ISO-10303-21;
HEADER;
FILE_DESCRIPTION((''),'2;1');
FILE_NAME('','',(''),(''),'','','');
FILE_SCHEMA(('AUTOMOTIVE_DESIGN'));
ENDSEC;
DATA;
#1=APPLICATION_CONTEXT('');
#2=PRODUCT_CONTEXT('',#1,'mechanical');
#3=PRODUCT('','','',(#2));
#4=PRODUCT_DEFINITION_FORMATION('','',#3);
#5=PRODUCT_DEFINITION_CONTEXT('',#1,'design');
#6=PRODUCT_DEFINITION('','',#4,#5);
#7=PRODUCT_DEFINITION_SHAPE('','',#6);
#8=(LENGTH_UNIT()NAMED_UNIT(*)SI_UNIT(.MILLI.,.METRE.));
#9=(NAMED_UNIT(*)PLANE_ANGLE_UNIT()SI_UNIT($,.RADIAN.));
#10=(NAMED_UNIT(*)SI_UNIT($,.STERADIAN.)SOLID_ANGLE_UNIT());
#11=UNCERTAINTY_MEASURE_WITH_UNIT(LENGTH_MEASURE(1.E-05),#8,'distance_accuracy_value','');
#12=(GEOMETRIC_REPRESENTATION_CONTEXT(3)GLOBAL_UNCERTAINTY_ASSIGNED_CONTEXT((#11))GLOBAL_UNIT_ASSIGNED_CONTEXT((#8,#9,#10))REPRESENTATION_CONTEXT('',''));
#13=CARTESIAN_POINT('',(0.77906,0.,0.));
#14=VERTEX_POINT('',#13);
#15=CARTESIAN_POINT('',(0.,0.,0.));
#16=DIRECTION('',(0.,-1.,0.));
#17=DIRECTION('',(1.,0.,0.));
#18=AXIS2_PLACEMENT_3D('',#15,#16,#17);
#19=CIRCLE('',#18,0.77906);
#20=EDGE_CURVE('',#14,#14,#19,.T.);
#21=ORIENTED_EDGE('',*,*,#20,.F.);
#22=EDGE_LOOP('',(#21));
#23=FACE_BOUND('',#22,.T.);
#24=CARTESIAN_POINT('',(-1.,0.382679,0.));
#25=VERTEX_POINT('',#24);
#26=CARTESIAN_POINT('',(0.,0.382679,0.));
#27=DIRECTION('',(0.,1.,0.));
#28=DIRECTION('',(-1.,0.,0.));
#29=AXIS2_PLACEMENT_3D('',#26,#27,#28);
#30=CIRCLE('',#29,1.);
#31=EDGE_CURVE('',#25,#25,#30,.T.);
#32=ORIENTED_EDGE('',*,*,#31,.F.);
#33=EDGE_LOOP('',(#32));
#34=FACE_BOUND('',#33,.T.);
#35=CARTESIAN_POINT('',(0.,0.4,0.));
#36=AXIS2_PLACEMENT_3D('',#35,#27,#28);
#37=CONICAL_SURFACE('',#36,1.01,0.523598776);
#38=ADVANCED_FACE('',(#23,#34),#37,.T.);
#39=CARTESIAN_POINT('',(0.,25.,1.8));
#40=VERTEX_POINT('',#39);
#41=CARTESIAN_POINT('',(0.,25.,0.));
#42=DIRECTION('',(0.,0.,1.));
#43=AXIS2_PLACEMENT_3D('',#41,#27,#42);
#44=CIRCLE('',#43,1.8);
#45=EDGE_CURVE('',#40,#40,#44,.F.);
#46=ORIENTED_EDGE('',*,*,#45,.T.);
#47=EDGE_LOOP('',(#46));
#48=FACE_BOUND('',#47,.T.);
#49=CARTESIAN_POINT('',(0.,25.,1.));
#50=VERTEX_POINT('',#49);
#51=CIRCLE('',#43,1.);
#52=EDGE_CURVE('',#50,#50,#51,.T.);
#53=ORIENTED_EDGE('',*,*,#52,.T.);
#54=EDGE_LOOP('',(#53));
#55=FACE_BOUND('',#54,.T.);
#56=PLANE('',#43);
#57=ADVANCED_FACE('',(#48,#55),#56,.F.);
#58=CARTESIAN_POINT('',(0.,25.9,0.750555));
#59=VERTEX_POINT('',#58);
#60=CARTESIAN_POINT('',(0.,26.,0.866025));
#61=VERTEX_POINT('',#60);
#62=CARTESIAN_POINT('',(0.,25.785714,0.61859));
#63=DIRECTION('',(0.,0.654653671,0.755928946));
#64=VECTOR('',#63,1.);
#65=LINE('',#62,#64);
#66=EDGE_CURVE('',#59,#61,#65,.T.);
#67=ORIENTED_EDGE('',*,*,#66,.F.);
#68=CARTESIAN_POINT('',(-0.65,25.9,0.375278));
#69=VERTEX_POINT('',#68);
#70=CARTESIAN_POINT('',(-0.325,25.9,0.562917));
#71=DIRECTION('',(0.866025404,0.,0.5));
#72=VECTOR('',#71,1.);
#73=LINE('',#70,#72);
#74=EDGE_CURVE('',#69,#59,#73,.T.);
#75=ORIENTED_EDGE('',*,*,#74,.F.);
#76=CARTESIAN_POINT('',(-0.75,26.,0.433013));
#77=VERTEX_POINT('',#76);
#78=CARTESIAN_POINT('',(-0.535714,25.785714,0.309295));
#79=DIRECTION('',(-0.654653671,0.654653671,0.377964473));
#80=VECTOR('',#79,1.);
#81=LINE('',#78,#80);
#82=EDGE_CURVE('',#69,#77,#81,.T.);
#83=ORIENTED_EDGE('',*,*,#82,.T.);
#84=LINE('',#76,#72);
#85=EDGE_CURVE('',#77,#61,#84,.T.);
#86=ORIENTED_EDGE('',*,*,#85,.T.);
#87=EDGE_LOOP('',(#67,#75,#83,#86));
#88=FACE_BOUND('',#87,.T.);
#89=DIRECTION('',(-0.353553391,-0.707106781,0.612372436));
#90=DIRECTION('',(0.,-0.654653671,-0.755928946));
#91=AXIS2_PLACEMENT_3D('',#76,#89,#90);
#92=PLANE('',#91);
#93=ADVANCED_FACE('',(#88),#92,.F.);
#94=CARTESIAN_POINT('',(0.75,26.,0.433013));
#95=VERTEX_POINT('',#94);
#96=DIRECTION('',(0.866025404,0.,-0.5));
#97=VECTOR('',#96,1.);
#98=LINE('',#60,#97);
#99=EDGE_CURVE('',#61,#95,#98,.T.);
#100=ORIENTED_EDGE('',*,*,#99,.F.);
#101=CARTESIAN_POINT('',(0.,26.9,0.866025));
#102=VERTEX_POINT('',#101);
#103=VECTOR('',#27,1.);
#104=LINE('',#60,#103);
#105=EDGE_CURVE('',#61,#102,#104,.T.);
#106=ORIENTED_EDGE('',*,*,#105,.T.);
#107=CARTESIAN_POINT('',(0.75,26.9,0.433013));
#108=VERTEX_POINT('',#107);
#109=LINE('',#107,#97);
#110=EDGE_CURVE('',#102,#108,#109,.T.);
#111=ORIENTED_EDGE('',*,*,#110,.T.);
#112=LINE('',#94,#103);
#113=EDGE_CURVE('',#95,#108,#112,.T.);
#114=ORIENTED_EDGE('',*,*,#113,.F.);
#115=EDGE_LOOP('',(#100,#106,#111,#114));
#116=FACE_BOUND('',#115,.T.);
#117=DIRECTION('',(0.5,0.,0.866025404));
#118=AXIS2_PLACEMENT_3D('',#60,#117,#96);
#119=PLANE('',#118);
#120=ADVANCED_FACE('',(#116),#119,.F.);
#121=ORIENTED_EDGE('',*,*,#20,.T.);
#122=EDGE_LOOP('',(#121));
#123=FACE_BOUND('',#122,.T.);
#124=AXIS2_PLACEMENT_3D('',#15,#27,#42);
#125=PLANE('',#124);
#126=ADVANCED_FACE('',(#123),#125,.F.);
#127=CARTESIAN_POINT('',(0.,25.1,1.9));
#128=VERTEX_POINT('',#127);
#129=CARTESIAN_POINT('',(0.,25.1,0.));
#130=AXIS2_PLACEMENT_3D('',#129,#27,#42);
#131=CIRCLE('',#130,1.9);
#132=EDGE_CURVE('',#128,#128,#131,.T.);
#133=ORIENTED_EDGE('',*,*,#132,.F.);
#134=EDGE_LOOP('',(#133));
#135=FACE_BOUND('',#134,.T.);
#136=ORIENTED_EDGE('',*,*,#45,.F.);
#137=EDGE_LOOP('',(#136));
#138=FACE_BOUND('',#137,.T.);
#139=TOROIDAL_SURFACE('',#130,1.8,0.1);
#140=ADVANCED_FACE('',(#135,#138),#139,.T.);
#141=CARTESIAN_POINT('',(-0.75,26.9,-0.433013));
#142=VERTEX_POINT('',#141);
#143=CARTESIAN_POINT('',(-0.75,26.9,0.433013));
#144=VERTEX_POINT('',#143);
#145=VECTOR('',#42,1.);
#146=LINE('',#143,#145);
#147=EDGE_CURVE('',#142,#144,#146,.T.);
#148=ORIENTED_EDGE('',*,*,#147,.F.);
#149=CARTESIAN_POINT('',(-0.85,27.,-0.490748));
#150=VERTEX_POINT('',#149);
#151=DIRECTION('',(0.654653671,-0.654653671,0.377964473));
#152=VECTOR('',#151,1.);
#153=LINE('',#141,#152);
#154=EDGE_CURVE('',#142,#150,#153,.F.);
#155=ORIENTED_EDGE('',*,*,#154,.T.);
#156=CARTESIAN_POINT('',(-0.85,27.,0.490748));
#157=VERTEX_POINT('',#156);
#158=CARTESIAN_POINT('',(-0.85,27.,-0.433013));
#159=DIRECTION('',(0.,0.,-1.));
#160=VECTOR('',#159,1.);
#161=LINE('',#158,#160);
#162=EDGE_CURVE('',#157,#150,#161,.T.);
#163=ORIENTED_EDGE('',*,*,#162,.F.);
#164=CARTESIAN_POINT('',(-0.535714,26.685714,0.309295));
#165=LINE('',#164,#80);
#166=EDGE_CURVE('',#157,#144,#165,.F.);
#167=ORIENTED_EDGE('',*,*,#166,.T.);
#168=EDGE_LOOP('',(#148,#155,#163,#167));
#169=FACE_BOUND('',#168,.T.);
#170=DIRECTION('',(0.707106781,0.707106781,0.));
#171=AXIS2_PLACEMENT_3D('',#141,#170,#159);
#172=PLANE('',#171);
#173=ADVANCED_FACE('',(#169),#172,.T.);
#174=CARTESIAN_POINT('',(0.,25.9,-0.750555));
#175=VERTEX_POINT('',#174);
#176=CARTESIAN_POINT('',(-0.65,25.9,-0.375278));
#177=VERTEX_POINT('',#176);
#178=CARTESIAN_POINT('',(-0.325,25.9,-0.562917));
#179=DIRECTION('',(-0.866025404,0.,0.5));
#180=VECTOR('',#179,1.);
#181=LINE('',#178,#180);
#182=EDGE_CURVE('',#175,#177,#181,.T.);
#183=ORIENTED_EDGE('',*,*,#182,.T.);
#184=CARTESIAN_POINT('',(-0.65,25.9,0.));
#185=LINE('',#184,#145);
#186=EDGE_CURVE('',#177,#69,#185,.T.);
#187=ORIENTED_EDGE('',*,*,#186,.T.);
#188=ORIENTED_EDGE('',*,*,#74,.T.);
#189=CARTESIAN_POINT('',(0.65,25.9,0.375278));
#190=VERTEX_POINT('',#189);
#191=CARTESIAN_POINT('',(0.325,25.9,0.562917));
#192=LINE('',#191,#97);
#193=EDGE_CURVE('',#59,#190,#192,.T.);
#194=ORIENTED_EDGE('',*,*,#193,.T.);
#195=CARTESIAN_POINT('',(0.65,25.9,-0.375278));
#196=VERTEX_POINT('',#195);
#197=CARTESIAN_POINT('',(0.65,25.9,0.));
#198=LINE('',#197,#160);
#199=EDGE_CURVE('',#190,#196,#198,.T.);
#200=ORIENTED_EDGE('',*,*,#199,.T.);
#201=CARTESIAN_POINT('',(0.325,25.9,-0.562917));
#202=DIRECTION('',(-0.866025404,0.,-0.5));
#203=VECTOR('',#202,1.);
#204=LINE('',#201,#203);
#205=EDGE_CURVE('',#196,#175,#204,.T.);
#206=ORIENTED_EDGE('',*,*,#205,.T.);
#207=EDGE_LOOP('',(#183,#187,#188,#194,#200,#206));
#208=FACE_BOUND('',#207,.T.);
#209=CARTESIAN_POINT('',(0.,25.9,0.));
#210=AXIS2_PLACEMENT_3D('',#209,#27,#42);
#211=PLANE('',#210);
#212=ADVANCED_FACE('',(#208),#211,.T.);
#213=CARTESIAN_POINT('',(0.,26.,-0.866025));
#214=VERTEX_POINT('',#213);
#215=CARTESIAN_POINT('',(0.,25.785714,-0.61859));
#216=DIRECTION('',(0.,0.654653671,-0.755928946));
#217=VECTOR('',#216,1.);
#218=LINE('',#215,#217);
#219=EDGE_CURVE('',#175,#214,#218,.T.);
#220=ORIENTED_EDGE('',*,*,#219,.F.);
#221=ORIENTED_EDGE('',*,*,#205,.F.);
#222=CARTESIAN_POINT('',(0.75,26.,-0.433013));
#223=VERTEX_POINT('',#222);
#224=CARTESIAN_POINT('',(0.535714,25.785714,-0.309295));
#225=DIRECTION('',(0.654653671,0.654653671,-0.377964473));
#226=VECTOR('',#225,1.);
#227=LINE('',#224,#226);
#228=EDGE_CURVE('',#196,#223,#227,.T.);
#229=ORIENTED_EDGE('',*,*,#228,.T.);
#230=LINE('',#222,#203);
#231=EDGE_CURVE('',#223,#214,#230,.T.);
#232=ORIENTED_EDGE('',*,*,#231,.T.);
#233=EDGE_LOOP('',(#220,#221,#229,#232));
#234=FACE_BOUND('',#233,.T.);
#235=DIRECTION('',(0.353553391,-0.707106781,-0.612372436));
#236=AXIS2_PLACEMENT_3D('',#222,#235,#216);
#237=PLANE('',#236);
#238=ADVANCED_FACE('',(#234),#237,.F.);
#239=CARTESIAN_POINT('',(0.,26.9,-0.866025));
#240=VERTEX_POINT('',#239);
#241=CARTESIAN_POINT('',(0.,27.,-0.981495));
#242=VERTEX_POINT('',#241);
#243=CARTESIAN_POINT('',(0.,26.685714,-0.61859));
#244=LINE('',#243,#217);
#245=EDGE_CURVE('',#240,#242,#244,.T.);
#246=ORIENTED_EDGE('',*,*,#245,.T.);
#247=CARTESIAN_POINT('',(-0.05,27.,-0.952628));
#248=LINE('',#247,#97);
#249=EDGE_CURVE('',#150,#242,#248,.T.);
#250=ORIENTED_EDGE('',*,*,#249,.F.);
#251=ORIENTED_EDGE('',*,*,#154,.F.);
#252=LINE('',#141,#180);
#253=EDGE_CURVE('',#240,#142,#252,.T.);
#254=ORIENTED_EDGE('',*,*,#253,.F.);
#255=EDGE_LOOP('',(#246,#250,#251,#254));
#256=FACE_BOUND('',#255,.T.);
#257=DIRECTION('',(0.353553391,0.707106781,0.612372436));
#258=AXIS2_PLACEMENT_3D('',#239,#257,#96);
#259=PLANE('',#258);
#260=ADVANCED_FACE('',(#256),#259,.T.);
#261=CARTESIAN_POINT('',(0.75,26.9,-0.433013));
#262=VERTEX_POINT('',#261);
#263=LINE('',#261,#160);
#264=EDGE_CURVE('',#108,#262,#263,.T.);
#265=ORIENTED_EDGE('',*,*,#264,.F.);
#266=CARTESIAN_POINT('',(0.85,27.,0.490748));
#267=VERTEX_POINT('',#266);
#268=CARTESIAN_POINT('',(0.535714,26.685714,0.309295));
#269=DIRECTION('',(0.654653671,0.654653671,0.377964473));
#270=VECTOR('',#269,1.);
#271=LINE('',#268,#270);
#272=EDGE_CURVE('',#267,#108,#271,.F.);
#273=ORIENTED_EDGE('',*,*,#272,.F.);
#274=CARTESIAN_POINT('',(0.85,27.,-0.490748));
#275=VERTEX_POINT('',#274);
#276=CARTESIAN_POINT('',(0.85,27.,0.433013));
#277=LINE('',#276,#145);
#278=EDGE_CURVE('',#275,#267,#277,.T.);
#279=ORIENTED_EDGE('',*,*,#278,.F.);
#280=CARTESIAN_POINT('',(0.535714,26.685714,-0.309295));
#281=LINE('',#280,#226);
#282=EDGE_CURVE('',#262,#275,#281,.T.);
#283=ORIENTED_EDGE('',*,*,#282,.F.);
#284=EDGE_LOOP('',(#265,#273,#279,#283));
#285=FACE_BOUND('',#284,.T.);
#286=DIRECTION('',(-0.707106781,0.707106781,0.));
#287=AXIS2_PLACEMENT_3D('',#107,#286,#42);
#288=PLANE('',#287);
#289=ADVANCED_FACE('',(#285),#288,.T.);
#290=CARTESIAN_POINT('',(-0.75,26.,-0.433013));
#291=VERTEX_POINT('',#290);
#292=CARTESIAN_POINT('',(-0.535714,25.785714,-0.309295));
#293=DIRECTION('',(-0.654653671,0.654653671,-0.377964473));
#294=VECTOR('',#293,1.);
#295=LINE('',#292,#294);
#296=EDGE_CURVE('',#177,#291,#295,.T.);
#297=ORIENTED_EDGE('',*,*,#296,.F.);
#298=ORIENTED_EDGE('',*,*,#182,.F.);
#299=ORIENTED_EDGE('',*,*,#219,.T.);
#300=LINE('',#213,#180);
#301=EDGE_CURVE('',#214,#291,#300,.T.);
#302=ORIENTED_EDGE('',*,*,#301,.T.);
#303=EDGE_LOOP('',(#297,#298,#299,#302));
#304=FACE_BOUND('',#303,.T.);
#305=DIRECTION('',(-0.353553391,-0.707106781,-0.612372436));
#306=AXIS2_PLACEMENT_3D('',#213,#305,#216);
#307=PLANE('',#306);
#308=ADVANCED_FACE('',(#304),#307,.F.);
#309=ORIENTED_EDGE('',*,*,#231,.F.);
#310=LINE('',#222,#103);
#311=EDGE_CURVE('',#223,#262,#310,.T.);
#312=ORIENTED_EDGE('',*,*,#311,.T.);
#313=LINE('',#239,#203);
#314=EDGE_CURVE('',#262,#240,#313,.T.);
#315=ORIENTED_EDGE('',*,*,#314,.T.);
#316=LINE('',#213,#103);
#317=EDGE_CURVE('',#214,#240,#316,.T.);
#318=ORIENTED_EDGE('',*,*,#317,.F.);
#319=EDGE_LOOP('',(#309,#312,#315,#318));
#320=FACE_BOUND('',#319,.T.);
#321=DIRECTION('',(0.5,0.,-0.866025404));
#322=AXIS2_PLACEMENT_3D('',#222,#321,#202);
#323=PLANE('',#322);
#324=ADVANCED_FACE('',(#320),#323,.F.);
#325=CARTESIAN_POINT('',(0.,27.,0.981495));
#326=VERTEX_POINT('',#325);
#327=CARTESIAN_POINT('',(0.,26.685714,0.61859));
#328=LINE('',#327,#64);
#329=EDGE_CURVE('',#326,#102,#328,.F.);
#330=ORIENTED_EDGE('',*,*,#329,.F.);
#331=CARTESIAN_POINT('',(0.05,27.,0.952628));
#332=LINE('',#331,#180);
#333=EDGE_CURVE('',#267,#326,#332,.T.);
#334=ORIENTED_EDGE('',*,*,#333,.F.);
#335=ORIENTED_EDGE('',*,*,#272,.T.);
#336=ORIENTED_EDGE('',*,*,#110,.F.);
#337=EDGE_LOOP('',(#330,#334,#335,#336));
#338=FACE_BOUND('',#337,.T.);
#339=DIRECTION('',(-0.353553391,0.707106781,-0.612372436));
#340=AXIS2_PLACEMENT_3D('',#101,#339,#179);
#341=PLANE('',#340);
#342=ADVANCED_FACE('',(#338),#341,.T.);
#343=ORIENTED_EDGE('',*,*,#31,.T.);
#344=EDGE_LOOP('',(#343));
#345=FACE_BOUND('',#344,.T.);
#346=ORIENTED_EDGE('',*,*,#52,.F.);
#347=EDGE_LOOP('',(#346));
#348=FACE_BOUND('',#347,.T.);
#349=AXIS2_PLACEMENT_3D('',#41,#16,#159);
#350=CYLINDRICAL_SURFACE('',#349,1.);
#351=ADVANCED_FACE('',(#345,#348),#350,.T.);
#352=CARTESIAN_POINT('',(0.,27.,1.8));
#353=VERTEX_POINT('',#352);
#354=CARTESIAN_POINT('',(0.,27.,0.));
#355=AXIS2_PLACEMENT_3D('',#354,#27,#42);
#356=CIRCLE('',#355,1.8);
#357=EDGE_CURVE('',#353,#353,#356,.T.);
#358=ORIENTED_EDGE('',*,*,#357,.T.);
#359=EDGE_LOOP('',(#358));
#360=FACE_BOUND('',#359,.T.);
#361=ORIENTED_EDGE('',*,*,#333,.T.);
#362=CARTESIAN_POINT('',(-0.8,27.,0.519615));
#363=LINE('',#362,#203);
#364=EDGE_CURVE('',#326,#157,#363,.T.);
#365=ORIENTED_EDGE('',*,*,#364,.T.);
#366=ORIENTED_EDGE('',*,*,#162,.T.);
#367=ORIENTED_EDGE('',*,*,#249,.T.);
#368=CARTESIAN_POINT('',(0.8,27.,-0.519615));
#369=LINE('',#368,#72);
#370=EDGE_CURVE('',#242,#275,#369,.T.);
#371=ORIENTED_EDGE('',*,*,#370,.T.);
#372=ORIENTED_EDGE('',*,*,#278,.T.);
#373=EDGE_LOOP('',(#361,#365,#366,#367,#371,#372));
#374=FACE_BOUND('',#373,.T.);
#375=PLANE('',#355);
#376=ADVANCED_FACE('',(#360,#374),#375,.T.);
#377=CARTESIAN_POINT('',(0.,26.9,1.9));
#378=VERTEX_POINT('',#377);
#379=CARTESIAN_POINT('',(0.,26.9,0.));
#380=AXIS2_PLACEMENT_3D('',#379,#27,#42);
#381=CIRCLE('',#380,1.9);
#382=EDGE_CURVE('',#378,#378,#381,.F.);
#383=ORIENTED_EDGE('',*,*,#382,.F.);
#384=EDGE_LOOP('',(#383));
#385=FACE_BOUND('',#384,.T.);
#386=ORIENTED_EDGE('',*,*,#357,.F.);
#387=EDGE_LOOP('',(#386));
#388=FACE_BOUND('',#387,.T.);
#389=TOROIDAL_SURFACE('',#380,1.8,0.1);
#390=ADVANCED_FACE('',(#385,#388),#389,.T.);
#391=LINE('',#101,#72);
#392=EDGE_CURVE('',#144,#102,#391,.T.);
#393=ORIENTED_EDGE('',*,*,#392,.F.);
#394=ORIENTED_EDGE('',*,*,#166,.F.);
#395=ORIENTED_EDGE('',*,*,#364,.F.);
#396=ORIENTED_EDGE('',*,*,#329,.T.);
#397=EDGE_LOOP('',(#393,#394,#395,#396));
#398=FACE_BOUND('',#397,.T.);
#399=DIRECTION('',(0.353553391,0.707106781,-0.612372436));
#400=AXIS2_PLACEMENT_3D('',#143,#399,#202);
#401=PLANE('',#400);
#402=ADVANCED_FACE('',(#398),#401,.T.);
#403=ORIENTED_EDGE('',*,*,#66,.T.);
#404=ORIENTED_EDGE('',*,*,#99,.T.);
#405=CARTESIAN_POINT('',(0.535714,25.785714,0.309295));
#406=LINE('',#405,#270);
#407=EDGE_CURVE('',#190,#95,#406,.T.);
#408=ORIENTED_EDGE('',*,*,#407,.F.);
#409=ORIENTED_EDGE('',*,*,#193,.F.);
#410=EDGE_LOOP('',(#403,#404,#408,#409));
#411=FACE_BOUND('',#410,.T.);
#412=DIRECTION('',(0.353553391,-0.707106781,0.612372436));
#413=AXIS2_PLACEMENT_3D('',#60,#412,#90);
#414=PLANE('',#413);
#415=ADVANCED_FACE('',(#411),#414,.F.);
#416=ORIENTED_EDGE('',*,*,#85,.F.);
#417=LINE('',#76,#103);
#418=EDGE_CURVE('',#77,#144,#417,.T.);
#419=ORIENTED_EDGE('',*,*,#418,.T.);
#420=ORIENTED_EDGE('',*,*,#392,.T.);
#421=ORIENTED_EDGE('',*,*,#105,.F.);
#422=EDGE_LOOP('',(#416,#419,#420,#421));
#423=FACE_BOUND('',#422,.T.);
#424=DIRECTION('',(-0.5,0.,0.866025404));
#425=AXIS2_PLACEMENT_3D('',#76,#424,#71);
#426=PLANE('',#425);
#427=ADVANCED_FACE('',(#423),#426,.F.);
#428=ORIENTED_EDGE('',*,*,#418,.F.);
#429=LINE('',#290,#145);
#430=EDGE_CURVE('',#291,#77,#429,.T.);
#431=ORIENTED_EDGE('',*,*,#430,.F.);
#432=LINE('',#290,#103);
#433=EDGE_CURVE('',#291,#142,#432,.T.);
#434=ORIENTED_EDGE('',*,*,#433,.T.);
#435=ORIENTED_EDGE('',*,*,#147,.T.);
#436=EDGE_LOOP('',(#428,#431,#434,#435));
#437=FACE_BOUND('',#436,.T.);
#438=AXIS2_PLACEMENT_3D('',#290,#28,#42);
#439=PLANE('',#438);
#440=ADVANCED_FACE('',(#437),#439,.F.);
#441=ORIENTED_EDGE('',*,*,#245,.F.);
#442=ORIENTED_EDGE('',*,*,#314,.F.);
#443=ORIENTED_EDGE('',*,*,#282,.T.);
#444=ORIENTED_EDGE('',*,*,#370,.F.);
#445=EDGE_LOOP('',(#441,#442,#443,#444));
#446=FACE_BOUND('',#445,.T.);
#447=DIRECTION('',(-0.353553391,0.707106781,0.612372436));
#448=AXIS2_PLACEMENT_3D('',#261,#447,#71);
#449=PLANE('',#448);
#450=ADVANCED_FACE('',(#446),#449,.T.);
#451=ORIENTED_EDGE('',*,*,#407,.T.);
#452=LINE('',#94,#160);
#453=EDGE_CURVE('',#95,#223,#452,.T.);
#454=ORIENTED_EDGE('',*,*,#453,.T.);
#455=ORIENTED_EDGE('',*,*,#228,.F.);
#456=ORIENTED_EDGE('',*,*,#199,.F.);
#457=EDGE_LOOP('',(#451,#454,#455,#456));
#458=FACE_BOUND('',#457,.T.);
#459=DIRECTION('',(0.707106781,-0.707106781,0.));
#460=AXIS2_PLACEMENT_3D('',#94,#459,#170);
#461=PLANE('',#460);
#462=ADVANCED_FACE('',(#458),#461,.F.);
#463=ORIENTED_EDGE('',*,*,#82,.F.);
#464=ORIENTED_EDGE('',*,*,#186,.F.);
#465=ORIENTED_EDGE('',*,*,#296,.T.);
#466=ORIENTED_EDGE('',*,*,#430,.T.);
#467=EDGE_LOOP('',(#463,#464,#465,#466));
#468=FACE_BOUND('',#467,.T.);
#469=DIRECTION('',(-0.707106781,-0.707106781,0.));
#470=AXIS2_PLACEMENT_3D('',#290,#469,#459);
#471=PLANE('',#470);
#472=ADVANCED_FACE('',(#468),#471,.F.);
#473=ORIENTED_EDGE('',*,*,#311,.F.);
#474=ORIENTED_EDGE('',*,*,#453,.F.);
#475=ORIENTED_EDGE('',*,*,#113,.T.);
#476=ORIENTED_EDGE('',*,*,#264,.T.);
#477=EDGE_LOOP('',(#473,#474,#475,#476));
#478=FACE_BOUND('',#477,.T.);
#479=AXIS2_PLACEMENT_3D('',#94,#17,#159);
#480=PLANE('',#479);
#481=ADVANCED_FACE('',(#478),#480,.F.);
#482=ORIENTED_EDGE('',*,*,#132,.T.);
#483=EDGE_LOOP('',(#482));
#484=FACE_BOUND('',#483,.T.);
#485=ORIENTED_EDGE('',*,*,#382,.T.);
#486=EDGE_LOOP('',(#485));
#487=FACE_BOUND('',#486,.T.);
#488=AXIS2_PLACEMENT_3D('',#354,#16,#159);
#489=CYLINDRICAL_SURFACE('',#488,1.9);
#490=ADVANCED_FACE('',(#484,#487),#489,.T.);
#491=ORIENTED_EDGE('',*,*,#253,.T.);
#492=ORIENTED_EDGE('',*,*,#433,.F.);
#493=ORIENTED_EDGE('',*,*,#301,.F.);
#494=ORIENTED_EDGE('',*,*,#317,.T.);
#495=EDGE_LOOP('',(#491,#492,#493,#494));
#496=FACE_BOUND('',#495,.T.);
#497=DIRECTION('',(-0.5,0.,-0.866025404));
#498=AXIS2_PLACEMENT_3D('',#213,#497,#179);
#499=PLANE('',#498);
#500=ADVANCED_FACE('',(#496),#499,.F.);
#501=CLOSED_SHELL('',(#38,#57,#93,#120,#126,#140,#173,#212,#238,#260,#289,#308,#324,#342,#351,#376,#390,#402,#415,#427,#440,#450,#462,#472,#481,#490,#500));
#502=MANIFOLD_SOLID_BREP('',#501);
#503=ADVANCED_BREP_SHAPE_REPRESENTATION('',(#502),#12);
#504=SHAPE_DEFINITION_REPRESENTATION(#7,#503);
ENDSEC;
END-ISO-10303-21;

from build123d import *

# Parameters (mm, degrees)
SKETCH1_R           = 1
BOSS_EXTRUDE1_DEPTH = 25
SKETCH2_R           = 1.9
BOSS_EXTRUDE2_DEPTH = 2
CUT_EXTRUDE1_DEPTH  = 1
FILLET1_R           = 0.1
CHAMFER1_SIZE       = 0.1
CHAMFER2_SIZE       = 0.1
CUT_EXTRUDE2_DEPTH  = 0.1
CUT_EXTRUDE2_DRAFT  = -45


with BuildPart() as part:
    # Sketch1 → Boss-Extrude1 (new body)
    with BuildSketch(Plane(origin=(0, 0, 0), x_dir=(1, 0, 0), z_dir=(0, 1, 0))):
        with Locations(Location((0, 0, 0), (0, 0, 270))):
            Circle(SKETCH1_R)
    extrude(amount=BOSS_EXTRUDE1_DEPTH)

    # Sketch2 → Boss-Extrude2 (add)
    with BuildSketch(Plane(origin=(0, 25, 0), x_dir=(1, 0, 0), z_dir=(0, 1, 0))):
        with Locations(Location((0, 0, 0), (0, 0, 270))):
            Circle(SKETCH2_R)
    extrude(amount=BOSS_EXTRUDE2_DEPTH)

    # Sketch3 → Cut-Extrude1 (cut)
    with BuildSketch(Plane(origin=(0, 27, 0), x_dir=(1, 0, 0), z_dir=(0, 1, 0))):
        Polygon((0, 0.866025404), (-0.75, 0.433012702), (-0.75, -0.433012702), (0, -0.866025404), (0.75, -0.433012702), (0.75, 0.433012702), align=None)
    extrude(amount=-CUT_EXTRUDE1_DEPTH, mode=Mode.SUBTRACT)

    # Fillet1
    fillet1_edges = [part.edges().sort_by_distance(p)[0] for p in [
        (0, 25, -1.9),
        (0, 27, -1.9),
    ]]
    fillet(fillet1_edges, radius=FILLET1_R)

    # Chamfer1
    chamfer1_edges = [part.edges().sort_by_distance(p)[0] for p in [
        (0, 0, -1),
    ]]
    chamfer(chamfer1_edges, length=CHAMFER1_SIZE)

    # Sketch4 → Cut-Revolve1 (revolve, cut)
    with BuildSketch(Plane.XY, mode=Mode.PRIVATE) as cut_revolve1_sk:
        Polygon((1.01, 0), (1.01, 0.4), (0.779059892, 0), align=None)
    revolve(cut_revolve1_sk.sketch.rotate(Axis((0, 0, 0), (0, 1, 0)), 180), axis=Axis((0, 0, 0), (0, 1, 0)), mode=Mode.SUBTRACT)

    # Chamfer2
    chamfer2_edges = [part.edges().sort_by_distance(p)[0] for p in [
        (0.375, 27, -0.649519053),
        (-0.375, 27, -0.649519053),
        (-0.75, 27, 0),
        (-0.375, 27, 0.649519053),
        (0.375, 27, 0.649519053),
        (0.75, 27, 0),
    ]]
    chamfer(chamfer2_edges, length=CHAMFER2_SIZE)


with BuildPart() as cut_extrude2_tool:
    # Sketch6 → Cut-Extrude2 (with draft: the straight prism first)
    with BuildSketch(Plane(origin=(0, 26, 0), x_dir=(1, 0, 0), z_dir=(0, 1, 0))):
        Polygon((0, 0.866025404), (-0.75, 0.433012702), (-0.75, -0.433012702), (0, -0.866025404), (0.75, -0.433012702), (0.75, 0.433012702), align=None)
    extrude(amount=-CUT_EXTRUDE2_DEPTH)
    # Cut-Extrude2: the draft: its side faces are tilted about the plane it starts from
    cut_extrude2_sides = [cut_extrude2_tool.faces().sort_by_distance(p)[0] for p in [
        (-0.375, 25.95, -0.649519053),
        (-0.75, 25.95, 0),
        (-0.375, 25.95, 0.649519053),
        (0.375, 25.95, 0.649519053),
        (0.75, 25.95, 0),
        (0.375, 25.95, -0.649519053),
    ]]
    draft(cut_extrude2_sides, Plane(origin=(0, 26, 0), x_dir=(1, 0, 0), z_dir=(0, 1, 0)), CUT_EXTRUDE2_DRAFT)


with BuildPart() as part_1:
    add(part.part)

    # Cut-Extrude2: cut by cut_extrude2_tool
    add(cut_extrude2_tool.part, mode=Mode.SUBTRACT)


solid = part_1.part
